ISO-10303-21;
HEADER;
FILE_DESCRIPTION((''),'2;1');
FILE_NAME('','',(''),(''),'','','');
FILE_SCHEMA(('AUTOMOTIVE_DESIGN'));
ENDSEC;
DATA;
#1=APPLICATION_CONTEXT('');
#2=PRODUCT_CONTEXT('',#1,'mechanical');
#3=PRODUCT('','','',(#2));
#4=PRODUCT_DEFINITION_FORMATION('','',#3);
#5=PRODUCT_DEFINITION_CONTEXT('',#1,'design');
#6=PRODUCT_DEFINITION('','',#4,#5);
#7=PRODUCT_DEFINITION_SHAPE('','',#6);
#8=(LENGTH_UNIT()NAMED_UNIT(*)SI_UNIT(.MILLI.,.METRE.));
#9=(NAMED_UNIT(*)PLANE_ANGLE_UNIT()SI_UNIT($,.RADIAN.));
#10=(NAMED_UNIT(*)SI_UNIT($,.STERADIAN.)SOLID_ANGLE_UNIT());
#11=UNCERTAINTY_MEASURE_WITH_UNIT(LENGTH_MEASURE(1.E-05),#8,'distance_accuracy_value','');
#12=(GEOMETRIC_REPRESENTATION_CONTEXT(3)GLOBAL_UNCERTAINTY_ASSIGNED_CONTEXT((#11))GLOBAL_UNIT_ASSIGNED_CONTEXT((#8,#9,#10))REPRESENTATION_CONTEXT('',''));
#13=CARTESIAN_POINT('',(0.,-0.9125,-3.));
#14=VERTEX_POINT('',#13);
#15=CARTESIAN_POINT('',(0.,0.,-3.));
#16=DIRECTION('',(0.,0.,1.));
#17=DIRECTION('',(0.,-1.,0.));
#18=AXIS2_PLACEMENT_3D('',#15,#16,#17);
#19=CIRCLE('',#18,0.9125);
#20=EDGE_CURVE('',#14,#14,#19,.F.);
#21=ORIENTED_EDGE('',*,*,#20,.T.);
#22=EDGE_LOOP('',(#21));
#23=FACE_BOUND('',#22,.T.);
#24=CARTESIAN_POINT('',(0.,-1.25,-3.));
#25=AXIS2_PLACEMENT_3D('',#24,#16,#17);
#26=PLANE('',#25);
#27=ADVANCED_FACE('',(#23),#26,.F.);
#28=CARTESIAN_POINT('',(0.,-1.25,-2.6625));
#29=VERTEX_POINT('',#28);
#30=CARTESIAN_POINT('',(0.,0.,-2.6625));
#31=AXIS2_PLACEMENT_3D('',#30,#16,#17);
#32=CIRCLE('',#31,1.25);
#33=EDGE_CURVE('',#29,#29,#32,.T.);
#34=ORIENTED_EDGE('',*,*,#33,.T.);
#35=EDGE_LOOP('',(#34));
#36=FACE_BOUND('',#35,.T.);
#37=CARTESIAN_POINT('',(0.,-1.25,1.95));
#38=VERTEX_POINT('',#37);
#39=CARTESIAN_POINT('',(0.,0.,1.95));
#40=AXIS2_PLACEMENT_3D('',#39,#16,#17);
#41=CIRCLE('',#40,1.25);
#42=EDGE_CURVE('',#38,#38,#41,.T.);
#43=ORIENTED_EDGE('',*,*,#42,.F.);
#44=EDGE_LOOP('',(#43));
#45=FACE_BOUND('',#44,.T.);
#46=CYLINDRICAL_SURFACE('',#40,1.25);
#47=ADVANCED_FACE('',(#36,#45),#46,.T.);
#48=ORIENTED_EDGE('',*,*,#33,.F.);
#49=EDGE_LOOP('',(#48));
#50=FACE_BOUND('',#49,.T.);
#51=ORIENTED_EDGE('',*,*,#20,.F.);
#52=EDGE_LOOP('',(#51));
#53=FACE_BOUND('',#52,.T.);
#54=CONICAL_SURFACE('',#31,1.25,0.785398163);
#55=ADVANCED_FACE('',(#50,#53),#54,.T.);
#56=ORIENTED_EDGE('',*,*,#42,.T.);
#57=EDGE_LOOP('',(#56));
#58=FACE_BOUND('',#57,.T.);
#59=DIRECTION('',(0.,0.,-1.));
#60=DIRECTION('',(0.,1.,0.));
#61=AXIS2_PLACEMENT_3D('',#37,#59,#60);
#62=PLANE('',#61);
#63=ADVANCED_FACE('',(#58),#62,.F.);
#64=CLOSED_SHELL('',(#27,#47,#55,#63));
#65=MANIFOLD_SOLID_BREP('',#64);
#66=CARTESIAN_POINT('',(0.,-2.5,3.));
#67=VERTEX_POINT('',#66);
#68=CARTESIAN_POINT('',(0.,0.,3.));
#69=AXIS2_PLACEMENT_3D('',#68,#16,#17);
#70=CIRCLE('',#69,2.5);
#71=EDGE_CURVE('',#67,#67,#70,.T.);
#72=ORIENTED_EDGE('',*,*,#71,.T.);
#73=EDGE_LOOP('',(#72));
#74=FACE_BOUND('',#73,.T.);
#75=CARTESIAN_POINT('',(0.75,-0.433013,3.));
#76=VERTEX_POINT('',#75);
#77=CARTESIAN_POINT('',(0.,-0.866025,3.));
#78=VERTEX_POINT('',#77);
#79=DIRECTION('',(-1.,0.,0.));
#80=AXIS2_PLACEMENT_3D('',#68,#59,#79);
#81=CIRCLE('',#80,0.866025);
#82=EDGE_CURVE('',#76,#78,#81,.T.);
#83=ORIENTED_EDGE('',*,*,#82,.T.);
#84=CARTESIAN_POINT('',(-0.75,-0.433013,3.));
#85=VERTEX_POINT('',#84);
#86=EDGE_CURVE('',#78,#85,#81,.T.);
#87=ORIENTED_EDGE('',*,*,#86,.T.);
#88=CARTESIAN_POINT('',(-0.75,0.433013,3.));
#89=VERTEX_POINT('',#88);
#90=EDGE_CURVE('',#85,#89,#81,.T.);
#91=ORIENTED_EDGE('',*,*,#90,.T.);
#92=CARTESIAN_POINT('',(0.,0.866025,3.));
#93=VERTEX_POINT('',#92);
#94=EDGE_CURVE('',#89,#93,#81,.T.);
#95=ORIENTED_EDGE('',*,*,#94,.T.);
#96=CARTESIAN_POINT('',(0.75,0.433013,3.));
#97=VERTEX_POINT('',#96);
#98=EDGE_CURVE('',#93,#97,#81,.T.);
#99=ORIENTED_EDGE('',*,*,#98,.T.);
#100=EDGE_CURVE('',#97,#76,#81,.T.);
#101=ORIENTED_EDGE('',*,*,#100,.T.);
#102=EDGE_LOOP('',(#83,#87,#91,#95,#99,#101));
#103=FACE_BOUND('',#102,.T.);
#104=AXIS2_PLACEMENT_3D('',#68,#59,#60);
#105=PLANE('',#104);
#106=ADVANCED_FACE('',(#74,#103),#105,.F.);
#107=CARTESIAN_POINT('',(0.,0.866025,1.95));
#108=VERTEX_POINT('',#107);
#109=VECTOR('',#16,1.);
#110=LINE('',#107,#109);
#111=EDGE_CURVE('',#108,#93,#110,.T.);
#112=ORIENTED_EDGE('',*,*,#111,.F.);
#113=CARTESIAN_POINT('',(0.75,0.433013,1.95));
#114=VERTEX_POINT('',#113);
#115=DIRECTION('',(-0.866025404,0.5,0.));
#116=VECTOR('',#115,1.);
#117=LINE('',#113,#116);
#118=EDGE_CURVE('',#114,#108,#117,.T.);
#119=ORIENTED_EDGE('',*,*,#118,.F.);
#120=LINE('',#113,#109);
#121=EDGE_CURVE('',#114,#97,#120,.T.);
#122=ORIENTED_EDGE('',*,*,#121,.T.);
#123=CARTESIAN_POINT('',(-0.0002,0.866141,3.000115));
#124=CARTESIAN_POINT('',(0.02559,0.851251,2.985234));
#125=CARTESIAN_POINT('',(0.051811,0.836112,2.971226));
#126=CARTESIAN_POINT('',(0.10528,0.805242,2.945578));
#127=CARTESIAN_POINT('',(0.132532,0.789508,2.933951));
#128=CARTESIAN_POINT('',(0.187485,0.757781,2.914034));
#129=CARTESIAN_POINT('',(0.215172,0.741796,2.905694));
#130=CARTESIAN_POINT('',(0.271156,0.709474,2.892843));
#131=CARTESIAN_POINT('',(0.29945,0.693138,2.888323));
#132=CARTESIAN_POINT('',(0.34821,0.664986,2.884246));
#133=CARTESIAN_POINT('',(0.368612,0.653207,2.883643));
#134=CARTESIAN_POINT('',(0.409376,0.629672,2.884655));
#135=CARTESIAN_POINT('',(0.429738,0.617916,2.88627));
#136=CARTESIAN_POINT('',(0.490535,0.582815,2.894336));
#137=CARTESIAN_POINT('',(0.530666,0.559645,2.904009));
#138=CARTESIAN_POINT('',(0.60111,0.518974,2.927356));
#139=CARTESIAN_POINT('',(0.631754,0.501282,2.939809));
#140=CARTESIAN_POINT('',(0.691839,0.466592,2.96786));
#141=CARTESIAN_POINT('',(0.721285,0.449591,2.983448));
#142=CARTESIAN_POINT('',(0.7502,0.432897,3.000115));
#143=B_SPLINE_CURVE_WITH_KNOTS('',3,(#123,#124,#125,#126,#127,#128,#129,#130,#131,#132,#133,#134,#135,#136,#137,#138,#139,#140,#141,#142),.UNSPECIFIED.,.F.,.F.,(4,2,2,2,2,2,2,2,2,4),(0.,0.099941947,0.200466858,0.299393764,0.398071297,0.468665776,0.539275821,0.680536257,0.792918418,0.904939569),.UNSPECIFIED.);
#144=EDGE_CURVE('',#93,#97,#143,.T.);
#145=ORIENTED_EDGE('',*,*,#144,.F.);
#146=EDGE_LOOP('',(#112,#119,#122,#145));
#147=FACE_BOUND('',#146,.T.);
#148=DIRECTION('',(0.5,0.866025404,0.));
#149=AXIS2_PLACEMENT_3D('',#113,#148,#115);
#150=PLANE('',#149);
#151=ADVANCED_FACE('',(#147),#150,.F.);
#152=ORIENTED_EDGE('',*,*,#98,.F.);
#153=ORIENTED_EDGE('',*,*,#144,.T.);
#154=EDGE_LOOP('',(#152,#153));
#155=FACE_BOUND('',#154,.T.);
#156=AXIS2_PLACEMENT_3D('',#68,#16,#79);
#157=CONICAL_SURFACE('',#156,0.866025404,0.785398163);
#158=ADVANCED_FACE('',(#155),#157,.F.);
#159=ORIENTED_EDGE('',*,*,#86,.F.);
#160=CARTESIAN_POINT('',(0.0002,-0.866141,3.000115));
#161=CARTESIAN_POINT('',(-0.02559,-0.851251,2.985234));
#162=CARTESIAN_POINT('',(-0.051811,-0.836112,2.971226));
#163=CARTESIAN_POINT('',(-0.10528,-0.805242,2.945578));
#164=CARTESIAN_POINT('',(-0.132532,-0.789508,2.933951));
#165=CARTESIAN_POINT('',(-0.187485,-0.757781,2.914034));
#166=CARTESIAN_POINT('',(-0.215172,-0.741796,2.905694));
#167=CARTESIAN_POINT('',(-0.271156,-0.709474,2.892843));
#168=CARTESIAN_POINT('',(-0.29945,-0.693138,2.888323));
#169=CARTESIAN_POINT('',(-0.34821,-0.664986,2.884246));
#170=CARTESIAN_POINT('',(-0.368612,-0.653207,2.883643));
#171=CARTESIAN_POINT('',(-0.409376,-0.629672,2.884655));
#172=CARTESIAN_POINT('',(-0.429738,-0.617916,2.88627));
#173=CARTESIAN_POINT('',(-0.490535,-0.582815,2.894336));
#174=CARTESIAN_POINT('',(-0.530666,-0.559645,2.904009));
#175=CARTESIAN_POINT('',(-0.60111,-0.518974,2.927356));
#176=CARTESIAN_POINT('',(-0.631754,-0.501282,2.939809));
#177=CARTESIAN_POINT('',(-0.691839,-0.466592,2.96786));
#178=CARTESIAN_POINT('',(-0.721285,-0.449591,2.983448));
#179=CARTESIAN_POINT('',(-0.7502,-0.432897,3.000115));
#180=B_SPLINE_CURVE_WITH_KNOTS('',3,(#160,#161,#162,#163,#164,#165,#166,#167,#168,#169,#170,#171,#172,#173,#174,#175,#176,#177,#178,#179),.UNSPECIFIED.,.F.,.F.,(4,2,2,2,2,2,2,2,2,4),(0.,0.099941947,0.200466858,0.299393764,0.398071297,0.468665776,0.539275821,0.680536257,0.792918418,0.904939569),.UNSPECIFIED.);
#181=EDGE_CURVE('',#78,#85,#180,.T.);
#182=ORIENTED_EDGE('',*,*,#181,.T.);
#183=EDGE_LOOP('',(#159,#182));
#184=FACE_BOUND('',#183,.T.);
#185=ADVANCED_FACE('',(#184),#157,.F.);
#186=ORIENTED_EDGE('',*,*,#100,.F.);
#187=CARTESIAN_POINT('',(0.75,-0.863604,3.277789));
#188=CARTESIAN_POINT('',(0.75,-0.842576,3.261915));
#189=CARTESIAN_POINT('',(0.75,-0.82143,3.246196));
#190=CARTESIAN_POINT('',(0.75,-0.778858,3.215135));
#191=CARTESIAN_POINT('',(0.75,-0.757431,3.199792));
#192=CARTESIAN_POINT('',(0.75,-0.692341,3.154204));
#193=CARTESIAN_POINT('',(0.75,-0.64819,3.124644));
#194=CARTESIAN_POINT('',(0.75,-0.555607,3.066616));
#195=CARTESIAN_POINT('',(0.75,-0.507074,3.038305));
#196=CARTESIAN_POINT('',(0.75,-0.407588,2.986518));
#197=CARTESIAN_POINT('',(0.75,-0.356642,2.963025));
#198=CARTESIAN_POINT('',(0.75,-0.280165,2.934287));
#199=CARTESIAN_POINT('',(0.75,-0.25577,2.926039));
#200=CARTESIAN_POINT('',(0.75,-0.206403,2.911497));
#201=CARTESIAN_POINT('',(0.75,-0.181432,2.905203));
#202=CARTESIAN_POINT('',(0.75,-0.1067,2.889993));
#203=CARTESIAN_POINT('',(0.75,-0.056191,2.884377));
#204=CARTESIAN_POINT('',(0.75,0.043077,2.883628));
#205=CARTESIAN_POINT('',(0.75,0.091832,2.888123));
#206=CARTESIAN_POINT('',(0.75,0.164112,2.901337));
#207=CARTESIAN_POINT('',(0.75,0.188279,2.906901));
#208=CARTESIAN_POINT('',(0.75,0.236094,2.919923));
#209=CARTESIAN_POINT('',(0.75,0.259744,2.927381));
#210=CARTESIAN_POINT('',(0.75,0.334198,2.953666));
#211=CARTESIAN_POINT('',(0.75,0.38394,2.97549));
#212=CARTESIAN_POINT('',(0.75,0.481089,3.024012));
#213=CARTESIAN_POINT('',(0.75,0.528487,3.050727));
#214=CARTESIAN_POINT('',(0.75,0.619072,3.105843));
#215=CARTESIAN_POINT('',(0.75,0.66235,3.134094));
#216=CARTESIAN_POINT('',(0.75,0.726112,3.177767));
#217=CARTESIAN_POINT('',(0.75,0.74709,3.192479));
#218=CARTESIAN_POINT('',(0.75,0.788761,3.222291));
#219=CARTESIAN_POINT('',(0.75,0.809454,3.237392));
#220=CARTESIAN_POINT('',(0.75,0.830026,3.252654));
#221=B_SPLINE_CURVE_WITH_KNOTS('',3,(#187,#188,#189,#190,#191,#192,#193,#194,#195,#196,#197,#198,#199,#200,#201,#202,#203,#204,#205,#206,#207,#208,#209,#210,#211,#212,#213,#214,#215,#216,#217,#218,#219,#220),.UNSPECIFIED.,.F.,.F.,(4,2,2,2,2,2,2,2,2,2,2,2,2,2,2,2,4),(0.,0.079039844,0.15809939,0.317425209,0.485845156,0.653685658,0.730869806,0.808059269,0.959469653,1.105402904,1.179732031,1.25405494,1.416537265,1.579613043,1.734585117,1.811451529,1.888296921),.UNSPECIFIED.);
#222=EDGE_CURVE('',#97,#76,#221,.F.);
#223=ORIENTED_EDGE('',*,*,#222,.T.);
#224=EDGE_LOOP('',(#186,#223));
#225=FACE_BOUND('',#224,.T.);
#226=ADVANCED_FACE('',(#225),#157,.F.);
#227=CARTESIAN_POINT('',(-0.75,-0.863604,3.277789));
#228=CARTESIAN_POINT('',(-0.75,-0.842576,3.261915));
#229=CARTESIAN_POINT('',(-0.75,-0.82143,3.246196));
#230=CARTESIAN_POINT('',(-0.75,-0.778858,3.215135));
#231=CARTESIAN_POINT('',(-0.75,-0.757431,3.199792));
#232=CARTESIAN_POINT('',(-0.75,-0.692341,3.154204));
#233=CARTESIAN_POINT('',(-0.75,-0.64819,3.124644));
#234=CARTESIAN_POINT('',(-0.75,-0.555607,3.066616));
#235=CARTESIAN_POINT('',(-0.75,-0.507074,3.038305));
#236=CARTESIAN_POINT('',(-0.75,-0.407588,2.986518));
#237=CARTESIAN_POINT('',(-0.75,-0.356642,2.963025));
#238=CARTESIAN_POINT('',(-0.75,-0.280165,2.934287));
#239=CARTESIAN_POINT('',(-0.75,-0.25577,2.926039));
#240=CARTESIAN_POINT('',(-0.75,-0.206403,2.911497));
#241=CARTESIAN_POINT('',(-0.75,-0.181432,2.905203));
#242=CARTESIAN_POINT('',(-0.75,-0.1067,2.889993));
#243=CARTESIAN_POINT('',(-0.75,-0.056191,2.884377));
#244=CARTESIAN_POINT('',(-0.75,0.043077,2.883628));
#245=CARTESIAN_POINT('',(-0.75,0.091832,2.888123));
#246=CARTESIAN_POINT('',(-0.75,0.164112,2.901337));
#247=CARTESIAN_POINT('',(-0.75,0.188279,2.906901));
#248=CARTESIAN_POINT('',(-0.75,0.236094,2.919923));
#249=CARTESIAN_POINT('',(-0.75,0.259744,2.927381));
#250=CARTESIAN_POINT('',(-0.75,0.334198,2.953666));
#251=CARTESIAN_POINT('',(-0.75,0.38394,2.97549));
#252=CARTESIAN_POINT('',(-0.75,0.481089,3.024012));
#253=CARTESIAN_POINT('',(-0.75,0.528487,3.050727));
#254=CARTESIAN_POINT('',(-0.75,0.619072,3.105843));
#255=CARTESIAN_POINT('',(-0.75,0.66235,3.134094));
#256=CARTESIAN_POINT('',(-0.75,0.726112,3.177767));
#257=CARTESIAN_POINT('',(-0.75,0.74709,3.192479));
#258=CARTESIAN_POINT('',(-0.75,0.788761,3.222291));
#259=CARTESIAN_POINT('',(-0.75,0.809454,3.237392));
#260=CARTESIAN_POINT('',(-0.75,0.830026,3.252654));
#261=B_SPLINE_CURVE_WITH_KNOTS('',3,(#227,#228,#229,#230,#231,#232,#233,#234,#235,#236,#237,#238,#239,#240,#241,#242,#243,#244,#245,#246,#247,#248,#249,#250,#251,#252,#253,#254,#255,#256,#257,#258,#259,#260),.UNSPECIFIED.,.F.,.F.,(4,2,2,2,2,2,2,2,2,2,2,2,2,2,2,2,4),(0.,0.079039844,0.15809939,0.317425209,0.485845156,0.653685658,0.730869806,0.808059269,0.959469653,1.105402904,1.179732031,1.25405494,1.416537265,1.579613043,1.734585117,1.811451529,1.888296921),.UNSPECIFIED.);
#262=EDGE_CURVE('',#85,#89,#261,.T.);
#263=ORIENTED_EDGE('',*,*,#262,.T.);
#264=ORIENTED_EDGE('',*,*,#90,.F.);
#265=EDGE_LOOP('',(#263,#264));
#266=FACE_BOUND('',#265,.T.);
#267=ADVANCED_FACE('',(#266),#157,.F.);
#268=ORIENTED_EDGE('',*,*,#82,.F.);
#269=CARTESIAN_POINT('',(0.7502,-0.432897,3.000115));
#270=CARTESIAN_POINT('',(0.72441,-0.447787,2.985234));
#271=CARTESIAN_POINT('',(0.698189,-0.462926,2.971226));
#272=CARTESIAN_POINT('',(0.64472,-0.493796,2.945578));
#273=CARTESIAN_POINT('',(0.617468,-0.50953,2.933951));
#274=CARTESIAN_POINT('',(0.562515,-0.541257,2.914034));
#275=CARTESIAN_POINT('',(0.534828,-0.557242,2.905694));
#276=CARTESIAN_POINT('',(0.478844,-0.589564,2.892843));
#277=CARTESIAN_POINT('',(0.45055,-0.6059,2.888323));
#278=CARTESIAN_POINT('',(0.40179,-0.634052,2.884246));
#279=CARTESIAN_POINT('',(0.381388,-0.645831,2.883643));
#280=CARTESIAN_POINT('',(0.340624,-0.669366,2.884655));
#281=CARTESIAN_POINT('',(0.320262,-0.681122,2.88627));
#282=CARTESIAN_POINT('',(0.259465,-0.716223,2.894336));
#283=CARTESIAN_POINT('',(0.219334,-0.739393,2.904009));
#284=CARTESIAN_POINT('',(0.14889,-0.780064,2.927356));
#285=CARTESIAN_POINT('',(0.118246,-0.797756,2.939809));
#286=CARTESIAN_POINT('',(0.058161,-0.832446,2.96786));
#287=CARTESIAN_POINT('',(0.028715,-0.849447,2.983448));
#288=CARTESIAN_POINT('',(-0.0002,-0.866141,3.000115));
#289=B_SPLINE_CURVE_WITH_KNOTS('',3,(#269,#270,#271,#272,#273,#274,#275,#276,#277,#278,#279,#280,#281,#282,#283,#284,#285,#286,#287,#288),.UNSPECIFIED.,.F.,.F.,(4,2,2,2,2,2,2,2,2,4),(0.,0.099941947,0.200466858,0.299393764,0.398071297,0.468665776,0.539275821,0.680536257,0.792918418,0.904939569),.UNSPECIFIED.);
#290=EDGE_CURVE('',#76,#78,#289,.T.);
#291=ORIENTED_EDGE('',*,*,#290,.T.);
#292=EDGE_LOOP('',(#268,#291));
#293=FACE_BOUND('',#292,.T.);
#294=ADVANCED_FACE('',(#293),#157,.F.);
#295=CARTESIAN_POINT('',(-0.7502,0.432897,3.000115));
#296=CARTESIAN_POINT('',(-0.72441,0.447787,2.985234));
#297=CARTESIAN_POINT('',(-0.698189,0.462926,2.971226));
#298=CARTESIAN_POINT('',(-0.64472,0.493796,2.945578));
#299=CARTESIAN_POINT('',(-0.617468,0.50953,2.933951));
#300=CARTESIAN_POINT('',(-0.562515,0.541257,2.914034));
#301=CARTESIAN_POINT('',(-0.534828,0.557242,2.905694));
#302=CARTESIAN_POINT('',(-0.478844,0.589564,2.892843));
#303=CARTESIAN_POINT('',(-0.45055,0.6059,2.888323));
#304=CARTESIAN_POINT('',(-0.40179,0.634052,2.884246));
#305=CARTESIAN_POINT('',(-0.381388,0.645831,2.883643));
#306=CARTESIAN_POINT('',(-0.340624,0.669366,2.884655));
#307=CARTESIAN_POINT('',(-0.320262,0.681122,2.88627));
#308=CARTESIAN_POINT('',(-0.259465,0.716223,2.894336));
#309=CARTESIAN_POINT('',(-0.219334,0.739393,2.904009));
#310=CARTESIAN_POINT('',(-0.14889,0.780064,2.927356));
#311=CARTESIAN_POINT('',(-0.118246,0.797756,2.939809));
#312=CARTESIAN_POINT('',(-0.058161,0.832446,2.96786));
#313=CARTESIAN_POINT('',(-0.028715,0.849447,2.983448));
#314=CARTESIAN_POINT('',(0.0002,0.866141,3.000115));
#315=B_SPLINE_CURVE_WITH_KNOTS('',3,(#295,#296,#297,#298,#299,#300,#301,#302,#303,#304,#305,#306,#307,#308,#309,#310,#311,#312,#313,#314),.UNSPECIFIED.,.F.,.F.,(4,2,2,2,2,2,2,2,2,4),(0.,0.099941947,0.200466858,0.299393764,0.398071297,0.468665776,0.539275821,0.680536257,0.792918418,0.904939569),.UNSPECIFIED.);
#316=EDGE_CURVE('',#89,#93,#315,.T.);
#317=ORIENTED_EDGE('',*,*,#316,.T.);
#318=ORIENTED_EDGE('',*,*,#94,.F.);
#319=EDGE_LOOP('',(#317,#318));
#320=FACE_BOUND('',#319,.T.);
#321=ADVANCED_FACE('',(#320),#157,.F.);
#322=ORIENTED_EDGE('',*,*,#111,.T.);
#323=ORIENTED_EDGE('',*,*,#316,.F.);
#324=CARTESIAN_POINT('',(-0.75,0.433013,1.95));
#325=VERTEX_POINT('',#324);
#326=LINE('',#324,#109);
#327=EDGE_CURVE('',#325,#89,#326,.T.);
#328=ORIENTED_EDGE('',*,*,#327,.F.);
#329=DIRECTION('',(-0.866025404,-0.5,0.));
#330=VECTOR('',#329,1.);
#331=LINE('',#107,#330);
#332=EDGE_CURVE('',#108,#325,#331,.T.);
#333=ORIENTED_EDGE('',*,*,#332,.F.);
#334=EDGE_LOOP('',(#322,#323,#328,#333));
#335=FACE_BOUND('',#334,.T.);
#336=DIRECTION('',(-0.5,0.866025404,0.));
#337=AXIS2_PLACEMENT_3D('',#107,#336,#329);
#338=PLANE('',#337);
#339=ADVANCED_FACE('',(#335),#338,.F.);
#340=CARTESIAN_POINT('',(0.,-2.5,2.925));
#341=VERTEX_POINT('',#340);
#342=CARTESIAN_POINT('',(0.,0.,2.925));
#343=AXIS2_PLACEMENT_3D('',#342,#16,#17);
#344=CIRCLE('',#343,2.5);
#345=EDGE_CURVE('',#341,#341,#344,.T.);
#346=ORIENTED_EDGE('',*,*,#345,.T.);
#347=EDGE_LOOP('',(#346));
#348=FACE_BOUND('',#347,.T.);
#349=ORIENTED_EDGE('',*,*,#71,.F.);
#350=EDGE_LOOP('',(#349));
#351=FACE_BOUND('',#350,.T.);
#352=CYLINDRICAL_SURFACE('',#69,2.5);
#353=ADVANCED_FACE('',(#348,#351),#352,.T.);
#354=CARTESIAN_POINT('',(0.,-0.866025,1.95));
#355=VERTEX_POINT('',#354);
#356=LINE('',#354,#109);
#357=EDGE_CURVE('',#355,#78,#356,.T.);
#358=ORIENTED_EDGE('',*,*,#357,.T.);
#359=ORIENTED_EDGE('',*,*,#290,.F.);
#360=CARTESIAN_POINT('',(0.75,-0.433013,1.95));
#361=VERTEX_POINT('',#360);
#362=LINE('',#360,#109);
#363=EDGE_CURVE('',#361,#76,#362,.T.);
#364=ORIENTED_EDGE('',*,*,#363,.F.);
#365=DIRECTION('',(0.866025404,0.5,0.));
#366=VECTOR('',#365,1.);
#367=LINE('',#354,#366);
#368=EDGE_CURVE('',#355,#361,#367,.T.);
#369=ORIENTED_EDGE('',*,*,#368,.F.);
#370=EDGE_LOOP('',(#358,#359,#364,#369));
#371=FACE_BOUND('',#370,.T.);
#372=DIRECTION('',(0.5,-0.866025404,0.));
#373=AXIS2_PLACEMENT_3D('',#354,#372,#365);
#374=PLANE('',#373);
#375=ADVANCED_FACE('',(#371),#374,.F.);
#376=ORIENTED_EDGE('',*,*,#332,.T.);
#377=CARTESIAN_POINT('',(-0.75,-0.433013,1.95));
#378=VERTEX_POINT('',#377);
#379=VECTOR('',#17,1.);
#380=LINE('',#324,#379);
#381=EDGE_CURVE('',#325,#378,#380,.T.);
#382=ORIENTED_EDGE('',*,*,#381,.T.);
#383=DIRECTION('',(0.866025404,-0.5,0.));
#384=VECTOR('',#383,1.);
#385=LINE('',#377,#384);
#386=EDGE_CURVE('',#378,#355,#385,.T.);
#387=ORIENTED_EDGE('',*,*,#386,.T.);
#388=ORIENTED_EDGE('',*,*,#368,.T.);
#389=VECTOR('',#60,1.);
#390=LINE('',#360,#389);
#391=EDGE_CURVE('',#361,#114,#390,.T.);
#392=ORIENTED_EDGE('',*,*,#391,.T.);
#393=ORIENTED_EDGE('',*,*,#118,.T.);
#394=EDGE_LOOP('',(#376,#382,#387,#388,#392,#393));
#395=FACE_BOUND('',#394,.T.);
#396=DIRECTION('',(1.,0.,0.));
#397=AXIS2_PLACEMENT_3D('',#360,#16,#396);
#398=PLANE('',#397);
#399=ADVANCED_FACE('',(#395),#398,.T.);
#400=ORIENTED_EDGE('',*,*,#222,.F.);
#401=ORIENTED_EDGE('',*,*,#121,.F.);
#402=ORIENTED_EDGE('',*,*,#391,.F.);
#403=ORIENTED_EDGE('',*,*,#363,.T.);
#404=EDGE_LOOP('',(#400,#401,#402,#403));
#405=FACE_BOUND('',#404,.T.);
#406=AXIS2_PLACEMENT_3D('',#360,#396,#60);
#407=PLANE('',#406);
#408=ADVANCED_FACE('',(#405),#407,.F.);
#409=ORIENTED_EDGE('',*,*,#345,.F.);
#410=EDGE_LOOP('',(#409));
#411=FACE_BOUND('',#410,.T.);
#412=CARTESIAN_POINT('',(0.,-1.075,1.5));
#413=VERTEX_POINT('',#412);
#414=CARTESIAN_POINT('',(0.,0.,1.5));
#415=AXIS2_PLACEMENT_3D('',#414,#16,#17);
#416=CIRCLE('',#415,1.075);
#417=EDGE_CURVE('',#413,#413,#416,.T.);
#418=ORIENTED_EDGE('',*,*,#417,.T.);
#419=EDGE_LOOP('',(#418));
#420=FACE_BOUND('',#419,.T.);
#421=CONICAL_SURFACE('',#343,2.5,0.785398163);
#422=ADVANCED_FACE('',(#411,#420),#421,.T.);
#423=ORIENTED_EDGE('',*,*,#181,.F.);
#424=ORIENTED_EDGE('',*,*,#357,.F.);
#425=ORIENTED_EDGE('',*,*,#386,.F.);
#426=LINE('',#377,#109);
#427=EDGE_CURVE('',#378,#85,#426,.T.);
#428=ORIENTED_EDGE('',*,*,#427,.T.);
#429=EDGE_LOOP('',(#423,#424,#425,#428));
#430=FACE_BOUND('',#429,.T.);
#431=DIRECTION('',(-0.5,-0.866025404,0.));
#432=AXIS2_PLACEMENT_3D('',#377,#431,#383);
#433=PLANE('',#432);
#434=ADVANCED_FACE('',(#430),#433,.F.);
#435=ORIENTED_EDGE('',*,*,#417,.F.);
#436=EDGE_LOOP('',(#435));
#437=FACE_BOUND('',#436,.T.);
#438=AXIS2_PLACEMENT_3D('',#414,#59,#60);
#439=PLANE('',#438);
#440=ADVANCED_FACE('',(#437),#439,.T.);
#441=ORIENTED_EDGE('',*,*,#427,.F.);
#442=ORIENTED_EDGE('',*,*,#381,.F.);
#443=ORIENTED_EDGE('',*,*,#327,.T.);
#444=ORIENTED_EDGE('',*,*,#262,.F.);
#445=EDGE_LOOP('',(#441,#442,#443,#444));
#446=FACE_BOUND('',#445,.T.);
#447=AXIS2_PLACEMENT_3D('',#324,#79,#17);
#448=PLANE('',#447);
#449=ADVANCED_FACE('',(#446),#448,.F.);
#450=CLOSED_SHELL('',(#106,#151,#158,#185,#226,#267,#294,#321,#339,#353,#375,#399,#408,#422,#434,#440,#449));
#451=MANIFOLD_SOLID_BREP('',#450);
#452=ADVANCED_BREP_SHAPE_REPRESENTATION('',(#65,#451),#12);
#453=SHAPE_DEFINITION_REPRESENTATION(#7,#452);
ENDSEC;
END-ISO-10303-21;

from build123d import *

# Parameters (mm, degrees)
CHAMFER1_SIZE      = 0.3375
CUT_EXTRUDE2_DEPTH = 1.05


with BuildPart() as part:
    # Sketch1 → Revolve1 (revolve)
    with BuildSketch(Plane(origin=(0, 0, 0), x_dir=(0, 0, -1), z_dir=(1, 0, 0))):
        Polygon((-1.5, 1.25), (3, 1.25), (3, 0), (-1.95, 0), (-1.95, 1.25), align=None)
    revolve(axis=Axis((0, 0, 1.95), (0, 0, -1)))

    # Chamfer1
    chamfer1_edges = [part.edges().sort_by_distance(p)[0] for p in [
        (0, -1.25, -3),
    ]]
    chamfer(chamfer1_edges, length=CHAMFER1_SIZE)


with BuildPart() as body_2:
    # Sketch7 → Revolve2 (revolve)
    with BuildSketch(Plane(origin=(0, 0, 0), x_dir=(0, 0, -1), z_dir=(1, 0, 0))):
        Polygon((-2.925, 2.5), (-3, 2.5), (-3, 0), (-1.5, 0), (-1.5, 1.075), align=None)
    revolve(axis=Axis((0, 0, 3), (0, 0, -1)))

    # Sketch5 → Cut-Extrude2 (cut)
    with BuildSketch(Plane.XY.offset(3)):
        Polygon((0.75, -0.433012702), (0.75, 0.433012702), (0, 0.866025404), (-0.75, 0.433012702), (-0.75, -0.433012702), (0, -0.866025404), align=None)
    extrude(amount=-CUT_EXTRUDE2_DEPTH, mode=Mode.SUBTRACT)

    # Cut-Extrude3 cone 1 section (through the dimple's axis) → Cut-Extrude3 (revolve, cut)
    with BuildSketch(Plane(origin=(0, 0, 3), x_dir=(0, -1, 0), z_dir=(1, 0, 0))):
        Polygon((0, 0), (0.866025404, 0), (0, 0.866025404), align=None)
    revolve(axis=Axis((0, 0, 3), (0, 0, -1)), mode=Mode.SUBTRACT)


solid = Compound([part.part, body_2.part])
